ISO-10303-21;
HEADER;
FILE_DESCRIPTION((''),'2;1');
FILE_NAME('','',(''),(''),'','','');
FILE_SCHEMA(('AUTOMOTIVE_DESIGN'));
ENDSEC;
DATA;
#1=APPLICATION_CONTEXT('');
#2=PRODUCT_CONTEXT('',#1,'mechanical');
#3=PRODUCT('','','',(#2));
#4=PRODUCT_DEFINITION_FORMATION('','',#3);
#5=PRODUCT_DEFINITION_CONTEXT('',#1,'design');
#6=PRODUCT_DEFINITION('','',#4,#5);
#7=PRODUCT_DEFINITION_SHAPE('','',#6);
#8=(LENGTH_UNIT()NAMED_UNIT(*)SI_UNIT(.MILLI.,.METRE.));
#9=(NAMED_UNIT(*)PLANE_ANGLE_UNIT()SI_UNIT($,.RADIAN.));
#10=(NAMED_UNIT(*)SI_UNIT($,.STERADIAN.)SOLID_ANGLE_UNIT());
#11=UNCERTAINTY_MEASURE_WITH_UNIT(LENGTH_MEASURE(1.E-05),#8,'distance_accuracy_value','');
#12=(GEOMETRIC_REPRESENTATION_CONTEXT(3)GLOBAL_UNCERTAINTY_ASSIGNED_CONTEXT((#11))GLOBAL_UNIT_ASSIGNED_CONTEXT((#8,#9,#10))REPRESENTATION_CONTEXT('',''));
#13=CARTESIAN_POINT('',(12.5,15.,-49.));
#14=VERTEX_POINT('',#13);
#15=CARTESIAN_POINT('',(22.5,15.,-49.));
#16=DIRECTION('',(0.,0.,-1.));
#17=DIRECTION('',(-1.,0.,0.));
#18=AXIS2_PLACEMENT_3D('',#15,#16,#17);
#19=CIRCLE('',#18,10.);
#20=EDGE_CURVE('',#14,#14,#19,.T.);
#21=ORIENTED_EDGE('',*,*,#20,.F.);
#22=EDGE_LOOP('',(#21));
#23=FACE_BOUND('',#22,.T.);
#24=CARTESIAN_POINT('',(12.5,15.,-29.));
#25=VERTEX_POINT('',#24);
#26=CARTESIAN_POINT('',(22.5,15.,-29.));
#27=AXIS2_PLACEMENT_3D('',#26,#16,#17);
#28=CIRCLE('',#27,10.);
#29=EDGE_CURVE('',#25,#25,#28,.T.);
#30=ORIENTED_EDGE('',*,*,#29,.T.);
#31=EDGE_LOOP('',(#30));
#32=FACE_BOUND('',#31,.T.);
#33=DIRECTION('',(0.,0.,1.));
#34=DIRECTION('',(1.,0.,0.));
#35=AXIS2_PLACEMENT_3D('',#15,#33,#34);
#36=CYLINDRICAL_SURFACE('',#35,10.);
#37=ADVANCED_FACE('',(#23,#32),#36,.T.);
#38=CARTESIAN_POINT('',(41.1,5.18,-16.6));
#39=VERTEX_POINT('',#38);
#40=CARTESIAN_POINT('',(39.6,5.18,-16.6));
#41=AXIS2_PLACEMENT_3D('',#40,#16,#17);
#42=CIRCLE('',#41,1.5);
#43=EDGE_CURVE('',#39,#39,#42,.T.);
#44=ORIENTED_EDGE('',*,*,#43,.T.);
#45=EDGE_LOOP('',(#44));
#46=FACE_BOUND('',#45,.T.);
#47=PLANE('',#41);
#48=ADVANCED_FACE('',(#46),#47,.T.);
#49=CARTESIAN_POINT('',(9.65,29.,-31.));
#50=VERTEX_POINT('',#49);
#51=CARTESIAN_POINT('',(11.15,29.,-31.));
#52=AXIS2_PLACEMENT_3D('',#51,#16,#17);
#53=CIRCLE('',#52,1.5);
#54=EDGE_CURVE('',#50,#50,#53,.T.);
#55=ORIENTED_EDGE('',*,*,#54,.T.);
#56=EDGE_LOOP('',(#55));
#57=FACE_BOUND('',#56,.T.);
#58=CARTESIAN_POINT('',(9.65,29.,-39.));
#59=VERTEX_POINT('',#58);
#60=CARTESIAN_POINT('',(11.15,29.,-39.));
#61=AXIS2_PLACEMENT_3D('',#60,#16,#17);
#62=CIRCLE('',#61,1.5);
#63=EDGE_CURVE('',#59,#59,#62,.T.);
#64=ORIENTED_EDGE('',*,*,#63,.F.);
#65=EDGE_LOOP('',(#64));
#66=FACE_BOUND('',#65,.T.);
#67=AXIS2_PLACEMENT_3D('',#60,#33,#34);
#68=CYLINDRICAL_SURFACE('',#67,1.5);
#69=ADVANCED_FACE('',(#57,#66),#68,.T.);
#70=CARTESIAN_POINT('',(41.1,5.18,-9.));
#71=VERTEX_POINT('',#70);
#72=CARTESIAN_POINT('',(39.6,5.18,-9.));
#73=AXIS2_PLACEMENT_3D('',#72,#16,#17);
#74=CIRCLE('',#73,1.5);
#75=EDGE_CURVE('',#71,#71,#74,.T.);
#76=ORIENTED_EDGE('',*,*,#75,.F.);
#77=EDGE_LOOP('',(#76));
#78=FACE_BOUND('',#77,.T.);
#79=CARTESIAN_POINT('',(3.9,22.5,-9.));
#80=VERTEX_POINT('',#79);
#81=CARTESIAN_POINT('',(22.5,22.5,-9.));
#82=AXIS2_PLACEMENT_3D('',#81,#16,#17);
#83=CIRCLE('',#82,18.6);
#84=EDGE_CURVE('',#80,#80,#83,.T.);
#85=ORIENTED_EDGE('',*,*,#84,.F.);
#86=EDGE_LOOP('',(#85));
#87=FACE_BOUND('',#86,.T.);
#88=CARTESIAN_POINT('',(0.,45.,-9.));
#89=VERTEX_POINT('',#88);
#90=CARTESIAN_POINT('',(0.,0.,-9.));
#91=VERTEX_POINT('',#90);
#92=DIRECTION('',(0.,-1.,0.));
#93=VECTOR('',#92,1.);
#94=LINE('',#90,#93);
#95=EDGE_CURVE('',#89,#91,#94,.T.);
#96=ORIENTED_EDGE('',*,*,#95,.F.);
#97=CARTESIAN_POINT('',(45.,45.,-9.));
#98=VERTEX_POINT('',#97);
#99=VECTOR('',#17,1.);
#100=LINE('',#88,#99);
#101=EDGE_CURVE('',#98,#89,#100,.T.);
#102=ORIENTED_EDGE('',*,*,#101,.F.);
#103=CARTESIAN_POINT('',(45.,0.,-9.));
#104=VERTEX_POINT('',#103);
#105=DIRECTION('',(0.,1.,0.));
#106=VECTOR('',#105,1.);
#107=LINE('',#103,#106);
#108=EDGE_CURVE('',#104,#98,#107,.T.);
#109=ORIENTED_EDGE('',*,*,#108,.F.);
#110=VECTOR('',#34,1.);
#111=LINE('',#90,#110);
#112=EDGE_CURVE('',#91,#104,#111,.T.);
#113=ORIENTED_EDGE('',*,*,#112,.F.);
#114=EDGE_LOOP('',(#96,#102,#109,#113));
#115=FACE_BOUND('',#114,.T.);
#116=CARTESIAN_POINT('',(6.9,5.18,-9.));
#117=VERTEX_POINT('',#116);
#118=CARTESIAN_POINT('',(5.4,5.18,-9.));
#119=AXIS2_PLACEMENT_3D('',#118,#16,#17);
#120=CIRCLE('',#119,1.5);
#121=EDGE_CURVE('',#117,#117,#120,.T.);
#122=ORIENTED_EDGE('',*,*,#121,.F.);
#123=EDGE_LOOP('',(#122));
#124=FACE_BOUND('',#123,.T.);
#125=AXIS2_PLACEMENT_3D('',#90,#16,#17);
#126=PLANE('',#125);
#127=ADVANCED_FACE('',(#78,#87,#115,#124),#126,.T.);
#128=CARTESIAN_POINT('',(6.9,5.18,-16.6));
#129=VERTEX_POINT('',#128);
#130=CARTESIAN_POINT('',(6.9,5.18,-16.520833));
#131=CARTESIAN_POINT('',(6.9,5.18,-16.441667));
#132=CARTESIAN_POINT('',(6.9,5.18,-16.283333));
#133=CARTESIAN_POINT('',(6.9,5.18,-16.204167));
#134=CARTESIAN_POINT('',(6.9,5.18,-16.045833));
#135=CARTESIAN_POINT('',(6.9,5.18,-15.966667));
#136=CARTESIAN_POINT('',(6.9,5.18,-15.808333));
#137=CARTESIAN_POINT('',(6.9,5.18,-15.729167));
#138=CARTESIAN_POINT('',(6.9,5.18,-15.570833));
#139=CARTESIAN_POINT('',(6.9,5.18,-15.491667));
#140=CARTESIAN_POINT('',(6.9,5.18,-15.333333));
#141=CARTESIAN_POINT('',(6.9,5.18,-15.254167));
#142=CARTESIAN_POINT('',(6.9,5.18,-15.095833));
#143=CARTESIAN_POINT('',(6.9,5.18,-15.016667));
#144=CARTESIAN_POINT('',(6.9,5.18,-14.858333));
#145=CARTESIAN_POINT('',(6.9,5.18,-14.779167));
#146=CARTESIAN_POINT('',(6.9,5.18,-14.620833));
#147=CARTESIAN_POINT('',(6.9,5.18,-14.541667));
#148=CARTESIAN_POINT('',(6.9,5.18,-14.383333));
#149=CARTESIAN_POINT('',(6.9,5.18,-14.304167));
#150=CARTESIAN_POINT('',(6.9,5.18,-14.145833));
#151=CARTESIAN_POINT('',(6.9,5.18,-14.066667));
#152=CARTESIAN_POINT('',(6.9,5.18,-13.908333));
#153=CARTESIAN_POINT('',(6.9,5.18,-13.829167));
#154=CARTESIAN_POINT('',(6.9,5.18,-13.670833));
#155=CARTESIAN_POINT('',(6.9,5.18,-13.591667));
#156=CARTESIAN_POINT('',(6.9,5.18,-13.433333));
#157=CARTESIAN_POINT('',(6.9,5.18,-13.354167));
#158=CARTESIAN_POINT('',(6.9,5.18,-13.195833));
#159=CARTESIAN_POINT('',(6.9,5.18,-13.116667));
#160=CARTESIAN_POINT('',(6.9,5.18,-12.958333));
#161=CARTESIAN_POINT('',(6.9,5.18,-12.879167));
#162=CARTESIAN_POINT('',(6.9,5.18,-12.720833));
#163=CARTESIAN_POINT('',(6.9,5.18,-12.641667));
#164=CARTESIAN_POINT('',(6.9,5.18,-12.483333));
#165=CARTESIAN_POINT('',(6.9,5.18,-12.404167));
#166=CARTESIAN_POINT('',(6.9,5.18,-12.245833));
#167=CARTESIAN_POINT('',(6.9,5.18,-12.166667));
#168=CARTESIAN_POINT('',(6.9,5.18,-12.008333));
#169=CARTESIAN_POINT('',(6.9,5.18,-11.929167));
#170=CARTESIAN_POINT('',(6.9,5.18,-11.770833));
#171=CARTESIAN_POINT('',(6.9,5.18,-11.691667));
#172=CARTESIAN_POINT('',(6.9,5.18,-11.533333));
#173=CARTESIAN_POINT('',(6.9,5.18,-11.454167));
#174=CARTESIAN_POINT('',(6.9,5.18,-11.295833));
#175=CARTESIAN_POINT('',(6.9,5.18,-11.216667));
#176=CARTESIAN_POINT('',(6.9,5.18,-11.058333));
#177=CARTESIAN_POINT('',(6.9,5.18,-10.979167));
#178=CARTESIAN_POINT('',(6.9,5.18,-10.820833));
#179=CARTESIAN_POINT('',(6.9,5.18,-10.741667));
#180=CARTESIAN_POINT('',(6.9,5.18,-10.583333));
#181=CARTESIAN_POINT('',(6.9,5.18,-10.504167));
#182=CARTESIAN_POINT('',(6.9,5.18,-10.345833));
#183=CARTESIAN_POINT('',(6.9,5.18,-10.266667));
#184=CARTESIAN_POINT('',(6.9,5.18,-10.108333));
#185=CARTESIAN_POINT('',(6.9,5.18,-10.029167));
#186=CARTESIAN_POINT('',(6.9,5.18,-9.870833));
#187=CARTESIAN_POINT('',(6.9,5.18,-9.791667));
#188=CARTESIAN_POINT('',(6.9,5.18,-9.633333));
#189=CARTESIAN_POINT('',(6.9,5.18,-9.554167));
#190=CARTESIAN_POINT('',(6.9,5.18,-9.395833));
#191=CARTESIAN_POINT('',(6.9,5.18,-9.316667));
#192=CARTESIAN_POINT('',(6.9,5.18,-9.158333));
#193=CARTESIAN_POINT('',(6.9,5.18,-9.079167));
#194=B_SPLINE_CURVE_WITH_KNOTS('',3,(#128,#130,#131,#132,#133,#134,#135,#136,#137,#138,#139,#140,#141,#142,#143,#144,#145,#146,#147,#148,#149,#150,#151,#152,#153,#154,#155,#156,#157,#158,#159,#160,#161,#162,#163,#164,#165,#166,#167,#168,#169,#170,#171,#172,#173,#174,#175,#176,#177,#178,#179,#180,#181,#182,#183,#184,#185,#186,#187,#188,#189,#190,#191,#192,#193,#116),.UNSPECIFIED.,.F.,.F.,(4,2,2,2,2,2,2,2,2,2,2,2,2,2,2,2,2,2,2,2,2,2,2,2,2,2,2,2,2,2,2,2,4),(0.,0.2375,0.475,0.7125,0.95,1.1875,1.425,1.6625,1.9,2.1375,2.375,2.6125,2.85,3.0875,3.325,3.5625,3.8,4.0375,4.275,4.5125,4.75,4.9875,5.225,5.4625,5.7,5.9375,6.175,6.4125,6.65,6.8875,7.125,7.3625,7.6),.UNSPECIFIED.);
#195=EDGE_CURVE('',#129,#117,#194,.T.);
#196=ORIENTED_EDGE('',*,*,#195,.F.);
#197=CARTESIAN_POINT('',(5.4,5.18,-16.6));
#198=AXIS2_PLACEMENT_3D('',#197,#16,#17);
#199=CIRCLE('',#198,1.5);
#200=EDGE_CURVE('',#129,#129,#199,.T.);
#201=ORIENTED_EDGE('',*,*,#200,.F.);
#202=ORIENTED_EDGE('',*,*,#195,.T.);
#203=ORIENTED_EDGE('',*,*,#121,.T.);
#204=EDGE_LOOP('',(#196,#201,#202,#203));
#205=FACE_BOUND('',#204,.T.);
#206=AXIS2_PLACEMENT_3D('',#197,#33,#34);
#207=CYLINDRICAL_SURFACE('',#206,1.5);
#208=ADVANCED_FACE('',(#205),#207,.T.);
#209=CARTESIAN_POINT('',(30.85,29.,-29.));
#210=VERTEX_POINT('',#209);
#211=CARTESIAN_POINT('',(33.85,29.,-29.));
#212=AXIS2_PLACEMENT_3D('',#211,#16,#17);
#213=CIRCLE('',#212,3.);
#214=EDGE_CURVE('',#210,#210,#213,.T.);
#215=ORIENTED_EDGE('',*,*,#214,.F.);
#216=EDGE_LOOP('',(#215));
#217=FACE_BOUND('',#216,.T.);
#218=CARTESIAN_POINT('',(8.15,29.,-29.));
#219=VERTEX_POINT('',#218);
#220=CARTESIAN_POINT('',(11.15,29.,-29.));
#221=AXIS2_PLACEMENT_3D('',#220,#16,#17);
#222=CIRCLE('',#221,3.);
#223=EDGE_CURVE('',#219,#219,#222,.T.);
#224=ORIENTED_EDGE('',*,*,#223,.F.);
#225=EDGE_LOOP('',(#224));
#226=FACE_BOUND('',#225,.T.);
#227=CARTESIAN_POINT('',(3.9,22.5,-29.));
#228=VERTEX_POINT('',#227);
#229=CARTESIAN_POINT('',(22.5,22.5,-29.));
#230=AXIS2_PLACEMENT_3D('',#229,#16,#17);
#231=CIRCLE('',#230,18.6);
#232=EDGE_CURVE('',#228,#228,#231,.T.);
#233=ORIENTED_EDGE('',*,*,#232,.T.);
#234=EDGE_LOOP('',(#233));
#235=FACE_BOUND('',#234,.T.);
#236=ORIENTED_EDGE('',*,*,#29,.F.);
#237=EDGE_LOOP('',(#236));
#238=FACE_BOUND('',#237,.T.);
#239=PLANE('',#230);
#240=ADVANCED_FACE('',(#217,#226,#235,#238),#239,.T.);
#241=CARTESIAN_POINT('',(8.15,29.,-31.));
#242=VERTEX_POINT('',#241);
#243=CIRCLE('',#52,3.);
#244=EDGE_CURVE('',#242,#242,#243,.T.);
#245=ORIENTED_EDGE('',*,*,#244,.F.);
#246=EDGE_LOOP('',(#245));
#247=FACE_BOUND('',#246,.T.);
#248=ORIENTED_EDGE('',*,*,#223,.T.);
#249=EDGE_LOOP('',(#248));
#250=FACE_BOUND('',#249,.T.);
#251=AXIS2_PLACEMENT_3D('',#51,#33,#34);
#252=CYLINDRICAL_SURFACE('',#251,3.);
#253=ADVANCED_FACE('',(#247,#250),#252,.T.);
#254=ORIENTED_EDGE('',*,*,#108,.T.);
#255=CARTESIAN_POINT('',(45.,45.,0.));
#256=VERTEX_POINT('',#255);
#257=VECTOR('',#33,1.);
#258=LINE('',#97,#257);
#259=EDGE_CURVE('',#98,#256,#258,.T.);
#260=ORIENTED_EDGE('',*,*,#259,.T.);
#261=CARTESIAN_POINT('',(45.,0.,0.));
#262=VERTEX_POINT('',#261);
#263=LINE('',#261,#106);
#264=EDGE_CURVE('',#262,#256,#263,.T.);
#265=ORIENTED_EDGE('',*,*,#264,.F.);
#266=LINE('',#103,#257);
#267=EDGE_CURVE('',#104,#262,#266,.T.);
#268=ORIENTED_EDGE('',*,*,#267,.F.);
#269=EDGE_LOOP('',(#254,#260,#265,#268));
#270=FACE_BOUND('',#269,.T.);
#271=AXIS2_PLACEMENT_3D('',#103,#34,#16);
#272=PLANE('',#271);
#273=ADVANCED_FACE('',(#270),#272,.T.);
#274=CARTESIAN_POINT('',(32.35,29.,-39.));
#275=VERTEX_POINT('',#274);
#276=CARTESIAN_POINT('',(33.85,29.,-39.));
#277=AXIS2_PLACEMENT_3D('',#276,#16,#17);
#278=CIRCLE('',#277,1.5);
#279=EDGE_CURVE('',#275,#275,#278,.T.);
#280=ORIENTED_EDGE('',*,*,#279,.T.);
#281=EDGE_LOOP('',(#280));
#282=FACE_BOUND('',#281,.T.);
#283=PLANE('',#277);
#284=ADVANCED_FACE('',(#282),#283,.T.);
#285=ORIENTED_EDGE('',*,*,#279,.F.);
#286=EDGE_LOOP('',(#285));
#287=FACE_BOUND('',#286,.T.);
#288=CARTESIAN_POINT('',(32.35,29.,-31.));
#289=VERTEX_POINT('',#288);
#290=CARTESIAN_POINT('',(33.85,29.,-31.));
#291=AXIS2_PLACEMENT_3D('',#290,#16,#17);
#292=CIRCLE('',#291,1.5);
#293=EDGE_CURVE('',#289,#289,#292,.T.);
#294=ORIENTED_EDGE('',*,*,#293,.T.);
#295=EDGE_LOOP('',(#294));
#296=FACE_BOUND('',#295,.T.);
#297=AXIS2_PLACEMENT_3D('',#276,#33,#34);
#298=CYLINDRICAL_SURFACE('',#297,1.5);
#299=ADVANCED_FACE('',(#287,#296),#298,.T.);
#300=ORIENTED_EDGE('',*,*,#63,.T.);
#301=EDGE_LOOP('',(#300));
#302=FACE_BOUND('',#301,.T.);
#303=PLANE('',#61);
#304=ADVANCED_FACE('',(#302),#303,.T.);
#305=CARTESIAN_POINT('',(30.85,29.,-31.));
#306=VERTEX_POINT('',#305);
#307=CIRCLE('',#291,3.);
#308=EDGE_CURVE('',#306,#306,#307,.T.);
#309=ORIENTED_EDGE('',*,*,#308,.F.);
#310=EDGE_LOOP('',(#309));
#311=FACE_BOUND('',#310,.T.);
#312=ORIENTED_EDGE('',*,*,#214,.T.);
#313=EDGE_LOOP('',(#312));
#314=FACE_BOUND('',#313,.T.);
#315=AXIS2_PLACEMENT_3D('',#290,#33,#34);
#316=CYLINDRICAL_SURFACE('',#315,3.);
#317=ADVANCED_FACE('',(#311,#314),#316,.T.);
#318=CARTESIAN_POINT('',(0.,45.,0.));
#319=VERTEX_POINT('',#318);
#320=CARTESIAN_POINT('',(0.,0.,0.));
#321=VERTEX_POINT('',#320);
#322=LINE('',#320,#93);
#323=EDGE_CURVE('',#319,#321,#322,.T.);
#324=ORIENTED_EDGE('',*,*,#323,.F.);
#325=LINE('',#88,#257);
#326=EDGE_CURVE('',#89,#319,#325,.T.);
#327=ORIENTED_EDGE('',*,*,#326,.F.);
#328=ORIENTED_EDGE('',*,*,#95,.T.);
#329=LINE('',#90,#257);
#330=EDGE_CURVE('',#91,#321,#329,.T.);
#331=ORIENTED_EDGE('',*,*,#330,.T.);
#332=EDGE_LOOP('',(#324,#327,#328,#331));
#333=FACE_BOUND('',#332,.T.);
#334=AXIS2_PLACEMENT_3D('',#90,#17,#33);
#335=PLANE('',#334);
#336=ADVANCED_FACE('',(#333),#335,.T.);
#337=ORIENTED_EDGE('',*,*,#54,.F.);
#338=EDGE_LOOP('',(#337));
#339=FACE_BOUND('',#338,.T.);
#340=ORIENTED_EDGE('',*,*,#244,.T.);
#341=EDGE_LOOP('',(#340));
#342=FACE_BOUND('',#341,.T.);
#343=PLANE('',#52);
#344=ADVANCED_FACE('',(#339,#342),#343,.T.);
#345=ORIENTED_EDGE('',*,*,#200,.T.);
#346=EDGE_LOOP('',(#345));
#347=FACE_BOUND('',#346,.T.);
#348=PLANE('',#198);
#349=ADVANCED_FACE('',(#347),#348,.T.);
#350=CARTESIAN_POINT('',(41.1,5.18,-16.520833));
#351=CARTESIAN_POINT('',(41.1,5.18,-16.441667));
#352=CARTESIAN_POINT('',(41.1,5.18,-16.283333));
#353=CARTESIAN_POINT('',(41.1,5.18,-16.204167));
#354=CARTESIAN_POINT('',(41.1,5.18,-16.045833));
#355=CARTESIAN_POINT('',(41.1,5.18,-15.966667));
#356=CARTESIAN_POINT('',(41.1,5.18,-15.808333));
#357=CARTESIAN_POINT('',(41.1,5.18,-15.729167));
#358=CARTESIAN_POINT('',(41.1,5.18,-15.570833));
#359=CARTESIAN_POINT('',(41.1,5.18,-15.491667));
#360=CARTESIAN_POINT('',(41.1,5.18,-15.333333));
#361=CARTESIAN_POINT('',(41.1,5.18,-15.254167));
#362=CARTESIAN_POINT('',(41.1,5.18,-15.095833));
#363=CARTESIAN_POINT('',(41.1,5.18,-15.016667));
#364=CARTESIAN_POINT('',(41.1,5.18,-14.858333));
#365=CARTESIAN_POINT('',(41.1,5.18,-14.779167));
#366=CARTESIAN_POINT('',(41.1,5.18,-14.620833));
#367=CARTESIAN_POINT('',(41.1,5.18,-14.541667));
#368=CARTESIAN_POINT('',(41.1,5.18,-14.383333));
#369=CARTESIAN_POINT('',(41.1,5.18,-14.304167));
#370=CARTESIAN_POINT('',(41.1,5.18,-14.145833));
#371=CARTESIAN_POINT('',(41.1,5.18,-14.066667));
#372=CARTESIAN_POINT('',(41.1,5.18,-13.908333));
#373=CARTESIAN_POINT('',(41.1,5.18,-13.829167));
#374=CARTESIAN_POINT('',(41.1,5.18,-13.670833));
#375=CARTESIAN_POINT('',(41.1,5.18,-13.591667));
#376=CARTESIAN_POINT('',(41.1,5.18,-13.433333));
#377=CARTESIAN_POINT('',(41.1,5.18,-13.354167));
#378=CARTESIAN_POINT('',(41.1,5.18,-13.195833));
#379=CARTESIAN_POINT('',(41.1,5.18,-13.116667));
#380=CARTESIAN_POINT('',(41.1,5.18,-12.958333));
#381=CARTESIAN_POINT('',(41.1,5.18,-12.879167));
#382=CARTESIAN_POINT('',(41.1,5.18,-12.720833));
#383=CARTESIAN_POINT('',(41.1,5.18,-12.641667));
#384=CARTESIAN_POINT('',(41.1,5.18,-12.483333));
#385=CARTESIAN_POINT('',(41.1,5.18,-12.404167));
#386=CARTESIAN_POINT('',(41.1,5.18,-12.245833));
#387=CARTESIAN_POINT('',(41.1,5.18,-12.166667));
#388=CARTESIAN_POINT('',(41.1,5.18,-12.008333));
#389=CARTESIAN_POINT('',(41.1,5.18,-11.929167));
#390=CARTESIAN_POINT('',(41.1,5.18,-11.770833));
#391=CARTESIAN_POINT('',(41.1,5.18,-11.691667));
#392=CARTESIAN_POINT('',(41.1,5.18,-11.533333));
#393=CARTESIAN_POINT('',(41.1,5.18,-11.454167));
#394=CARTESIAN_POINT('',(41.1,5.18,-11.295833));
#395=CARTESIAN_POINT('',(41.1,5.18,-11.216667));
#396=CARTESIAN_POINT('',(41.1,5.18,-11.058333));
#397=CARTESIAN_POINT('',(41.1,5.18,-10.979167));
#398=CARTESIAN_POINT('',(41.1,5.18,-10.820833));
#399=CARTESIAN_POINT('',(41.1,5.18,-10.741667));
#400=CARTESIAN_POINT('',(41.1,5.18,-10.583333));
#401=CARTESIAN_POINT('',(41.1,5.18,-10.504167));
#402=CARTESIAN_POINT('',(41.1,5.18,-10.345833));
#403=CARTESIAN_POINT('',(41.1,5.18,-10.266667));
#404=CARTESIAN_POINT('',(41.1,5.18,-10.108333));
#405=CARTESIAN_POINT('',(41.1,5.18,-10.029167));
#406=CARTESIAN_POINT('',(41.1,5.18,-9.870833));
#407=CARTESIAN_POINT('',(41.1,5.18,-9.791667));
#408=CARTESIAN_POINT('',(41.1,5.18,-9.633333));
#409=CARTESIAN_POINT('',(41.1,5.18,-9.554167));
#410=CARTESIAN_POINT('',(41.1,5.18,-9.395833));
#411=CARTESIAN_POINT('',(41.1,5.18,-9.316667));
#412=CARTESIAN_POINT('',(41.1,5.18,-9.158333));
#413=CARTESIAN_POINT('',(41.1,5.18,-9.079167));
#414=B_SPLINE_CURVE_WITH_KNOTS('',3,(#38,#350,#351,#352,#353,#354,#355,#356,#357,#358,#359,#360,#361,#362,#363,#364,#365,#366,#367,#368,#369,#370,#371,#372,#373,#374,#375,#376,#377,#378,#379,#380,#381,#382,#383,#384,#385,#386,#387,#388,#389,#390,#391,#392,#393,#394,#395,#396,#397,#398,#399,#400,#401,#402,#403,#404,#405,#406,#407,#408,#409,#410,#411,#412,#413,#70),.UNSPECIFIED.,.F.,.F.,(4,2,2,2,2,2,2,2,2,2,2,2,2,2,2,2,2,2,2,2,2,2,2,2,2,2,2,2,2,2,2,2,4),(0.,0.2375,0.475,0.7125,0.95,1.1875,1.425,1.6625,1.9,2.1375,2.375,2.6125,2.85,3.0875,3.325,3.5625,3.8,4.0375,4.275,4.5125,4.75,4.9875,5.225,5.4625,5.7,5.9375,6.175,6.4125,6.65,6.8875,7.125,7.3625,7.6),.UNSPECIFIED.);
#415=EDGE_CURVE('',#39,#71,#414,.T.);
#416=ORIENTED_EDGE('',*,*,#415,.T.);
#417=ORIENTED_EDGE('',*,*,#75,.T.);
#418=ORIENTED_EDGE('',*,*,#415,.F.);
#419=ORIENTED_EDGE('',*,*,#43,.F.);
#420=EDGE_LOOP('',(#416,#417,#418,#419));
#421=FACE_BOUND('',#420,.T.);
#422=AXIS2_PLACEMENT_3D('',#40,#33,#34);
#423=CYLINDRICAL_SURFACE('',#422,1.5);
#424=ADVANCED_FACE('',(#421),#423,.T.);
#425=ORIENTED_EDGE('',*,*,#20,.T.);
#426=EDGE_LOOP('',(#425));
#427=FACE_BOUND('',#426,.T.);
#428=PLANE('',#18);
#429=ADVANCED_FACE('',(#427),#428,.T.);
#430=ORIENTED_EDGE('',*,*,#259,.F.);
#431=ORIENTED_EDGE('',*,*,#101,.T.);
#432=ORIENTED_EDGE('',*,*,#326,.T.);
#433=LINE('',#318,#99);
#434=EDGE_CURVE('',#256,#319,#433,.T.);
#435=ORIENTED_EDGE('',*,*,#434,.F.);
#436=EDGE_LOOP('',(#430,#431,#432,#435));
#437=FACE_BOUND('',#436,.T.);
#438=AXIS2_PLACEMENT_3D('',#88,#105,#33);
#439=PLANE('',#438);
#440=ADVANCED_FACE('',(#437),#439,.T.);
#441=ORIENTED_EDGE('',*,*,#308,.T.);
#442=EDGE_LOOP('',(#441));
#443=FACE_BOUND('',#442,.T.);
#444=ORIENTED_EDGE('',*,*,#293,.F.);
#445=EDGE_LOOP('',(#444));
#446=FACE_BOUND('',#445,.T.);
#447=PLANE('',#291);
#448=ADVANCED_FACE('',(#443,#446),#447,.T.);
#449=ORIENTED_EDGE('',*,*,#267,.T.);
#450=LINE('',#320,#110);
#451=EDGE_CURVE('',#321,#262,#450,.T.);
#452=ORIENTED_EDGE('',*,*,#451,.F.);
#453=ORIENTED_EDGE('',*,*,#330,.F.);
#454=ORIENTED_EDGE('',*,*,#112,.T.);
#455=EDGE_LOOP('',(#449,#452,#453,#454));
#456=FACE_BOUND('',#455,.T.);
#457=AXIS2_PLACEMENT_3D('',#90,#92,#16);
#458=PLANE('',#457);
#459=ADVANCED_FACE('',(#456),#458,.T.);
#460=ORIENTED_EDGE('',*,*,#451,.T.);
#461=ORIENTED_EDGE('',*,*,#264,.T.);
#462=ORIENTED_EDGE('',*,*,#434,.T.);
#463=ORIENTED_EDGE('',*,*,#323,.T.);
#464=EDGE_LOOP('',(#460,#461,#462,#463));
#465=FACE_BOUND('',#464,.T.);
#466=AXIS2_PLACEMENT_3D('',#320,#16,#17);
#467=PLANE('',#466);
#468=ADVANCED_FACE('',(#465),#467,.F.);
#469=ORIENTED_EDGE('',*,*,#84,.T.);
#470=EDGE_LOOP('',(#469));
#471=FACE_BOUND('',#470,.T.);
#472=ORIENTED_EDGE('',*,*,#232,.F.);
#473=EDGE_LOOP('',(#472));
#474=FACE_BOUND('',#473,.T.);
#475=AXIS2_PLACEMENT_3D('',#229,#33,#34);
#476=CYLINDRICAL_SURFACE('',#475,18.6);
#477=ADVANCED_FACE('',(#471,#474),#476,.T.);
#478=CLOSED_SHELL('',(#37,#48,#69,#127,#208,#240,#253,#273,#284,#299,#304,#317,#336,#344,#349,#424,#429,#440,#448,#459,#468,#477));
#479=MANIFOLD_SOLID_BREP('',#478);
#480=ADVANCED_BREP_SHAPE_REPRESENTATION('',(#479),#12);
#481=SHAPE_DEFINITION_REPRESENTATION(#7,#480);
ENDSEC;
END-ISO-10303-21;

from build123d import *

# Parameters (mm, degrees)
SKETCH_1_W      = 45
SKETCH_1_H      = 45
EXTRUDE_1_DEPTH = 9
SKETCH_2_R      = 18.6
EXTRUDE_2_DEPTH = 20
SKETCH_3_R      = 3
EXTRUDE_3_DEPTH = 2
SKETCH_4_R      = 1.5
EXTRUDE_4_DEPTH = 8
SKETCH_5_R      = 10
EXTRUDE_5_DEPTH = 20
SKETCH_6_R      = 1.5
EXTRUDE_6_DEPTH = 7.6


with BuildPart() as part:
    # 草图1 → 凸台-拉伸1 (new body)
    with BuildSketch(Plane.XY):
        with Locations((22.5, 22.5)):
            Rectangle(SKETCH_1_W, SKETCH_1_H)
    extrude(amount=-EXTRUDE_1_DEPTH)

    # 草图2 → 凸台-拉伸2 (add)
    with BuildSketch(Plane(origin=(0, 0, -9), x_dir=(-1, 0, 0), z_dir=(0, 0, -1))):
        with Locations((-22.5, 22.5)):
            Circle(SKETCH_2_R)
    extrude(amount=EXTRUDE_2_DEPTH)

    # 草图3 → 凸台-拉伸3 (add)
    with BuildSketch(Plane(origin=(0, 0, -29), x_dir=(-1, 0, 0), z_dir=(0, 0, -1))):
        with Locations((-33.85, 29)):
            Circle(SKETCH_3_R)
        with Locations((-11.15, 29)):
            Circle(SKETCH_3_R)
    extrude(amount=EXTRUDE_3_DEPTH)

    # 草图4 → 凸台-拉伸4 (add)
    with BuildSketch(Plane(origin=(0, 0, -31), x_dir=(-1, 0, 0), z_dir=(0, 0, -1))):
        with Locations((-33.85, 29)):
            Circle(SKETCH_4_R)
        with Locations((-11.15, 29)):
            Circle(SKETCH_4_R)
    extrude(amount=EXTRUDE_4_DEPTH)

    # 草图5 → 凸台-拉伸5 (add)
    with BuildSketch(Plane(origin=(0, 0, -29), x_dir=(-1, 0, 0), z_dir=(0, 0, -1))):
        with Locations((-22.5, 15)):
            Circle(SKETCH_5_R)
    extrude(amount=EXTRUDE_5_DEPTH)

    # 草图6 → 凸台-拉伸6 (add)
    with BuildSketch(Plane(origin=(0, 0, -9), x_dir=(-1, 0, 0), z_dir=(0, 0, -1))):
        with Locations(Location((-39.6, 5.18, 0), (0, 0, 180))):
            Circle(SKETCH_6_R)
        with Locations(Location((-5.4, 5.18, 0), (0, 0, 180))):
            Circle(SKETCH_6_R)
    extrude(amount=EXTRUDE_6_DEPTH)


solid = part.part
